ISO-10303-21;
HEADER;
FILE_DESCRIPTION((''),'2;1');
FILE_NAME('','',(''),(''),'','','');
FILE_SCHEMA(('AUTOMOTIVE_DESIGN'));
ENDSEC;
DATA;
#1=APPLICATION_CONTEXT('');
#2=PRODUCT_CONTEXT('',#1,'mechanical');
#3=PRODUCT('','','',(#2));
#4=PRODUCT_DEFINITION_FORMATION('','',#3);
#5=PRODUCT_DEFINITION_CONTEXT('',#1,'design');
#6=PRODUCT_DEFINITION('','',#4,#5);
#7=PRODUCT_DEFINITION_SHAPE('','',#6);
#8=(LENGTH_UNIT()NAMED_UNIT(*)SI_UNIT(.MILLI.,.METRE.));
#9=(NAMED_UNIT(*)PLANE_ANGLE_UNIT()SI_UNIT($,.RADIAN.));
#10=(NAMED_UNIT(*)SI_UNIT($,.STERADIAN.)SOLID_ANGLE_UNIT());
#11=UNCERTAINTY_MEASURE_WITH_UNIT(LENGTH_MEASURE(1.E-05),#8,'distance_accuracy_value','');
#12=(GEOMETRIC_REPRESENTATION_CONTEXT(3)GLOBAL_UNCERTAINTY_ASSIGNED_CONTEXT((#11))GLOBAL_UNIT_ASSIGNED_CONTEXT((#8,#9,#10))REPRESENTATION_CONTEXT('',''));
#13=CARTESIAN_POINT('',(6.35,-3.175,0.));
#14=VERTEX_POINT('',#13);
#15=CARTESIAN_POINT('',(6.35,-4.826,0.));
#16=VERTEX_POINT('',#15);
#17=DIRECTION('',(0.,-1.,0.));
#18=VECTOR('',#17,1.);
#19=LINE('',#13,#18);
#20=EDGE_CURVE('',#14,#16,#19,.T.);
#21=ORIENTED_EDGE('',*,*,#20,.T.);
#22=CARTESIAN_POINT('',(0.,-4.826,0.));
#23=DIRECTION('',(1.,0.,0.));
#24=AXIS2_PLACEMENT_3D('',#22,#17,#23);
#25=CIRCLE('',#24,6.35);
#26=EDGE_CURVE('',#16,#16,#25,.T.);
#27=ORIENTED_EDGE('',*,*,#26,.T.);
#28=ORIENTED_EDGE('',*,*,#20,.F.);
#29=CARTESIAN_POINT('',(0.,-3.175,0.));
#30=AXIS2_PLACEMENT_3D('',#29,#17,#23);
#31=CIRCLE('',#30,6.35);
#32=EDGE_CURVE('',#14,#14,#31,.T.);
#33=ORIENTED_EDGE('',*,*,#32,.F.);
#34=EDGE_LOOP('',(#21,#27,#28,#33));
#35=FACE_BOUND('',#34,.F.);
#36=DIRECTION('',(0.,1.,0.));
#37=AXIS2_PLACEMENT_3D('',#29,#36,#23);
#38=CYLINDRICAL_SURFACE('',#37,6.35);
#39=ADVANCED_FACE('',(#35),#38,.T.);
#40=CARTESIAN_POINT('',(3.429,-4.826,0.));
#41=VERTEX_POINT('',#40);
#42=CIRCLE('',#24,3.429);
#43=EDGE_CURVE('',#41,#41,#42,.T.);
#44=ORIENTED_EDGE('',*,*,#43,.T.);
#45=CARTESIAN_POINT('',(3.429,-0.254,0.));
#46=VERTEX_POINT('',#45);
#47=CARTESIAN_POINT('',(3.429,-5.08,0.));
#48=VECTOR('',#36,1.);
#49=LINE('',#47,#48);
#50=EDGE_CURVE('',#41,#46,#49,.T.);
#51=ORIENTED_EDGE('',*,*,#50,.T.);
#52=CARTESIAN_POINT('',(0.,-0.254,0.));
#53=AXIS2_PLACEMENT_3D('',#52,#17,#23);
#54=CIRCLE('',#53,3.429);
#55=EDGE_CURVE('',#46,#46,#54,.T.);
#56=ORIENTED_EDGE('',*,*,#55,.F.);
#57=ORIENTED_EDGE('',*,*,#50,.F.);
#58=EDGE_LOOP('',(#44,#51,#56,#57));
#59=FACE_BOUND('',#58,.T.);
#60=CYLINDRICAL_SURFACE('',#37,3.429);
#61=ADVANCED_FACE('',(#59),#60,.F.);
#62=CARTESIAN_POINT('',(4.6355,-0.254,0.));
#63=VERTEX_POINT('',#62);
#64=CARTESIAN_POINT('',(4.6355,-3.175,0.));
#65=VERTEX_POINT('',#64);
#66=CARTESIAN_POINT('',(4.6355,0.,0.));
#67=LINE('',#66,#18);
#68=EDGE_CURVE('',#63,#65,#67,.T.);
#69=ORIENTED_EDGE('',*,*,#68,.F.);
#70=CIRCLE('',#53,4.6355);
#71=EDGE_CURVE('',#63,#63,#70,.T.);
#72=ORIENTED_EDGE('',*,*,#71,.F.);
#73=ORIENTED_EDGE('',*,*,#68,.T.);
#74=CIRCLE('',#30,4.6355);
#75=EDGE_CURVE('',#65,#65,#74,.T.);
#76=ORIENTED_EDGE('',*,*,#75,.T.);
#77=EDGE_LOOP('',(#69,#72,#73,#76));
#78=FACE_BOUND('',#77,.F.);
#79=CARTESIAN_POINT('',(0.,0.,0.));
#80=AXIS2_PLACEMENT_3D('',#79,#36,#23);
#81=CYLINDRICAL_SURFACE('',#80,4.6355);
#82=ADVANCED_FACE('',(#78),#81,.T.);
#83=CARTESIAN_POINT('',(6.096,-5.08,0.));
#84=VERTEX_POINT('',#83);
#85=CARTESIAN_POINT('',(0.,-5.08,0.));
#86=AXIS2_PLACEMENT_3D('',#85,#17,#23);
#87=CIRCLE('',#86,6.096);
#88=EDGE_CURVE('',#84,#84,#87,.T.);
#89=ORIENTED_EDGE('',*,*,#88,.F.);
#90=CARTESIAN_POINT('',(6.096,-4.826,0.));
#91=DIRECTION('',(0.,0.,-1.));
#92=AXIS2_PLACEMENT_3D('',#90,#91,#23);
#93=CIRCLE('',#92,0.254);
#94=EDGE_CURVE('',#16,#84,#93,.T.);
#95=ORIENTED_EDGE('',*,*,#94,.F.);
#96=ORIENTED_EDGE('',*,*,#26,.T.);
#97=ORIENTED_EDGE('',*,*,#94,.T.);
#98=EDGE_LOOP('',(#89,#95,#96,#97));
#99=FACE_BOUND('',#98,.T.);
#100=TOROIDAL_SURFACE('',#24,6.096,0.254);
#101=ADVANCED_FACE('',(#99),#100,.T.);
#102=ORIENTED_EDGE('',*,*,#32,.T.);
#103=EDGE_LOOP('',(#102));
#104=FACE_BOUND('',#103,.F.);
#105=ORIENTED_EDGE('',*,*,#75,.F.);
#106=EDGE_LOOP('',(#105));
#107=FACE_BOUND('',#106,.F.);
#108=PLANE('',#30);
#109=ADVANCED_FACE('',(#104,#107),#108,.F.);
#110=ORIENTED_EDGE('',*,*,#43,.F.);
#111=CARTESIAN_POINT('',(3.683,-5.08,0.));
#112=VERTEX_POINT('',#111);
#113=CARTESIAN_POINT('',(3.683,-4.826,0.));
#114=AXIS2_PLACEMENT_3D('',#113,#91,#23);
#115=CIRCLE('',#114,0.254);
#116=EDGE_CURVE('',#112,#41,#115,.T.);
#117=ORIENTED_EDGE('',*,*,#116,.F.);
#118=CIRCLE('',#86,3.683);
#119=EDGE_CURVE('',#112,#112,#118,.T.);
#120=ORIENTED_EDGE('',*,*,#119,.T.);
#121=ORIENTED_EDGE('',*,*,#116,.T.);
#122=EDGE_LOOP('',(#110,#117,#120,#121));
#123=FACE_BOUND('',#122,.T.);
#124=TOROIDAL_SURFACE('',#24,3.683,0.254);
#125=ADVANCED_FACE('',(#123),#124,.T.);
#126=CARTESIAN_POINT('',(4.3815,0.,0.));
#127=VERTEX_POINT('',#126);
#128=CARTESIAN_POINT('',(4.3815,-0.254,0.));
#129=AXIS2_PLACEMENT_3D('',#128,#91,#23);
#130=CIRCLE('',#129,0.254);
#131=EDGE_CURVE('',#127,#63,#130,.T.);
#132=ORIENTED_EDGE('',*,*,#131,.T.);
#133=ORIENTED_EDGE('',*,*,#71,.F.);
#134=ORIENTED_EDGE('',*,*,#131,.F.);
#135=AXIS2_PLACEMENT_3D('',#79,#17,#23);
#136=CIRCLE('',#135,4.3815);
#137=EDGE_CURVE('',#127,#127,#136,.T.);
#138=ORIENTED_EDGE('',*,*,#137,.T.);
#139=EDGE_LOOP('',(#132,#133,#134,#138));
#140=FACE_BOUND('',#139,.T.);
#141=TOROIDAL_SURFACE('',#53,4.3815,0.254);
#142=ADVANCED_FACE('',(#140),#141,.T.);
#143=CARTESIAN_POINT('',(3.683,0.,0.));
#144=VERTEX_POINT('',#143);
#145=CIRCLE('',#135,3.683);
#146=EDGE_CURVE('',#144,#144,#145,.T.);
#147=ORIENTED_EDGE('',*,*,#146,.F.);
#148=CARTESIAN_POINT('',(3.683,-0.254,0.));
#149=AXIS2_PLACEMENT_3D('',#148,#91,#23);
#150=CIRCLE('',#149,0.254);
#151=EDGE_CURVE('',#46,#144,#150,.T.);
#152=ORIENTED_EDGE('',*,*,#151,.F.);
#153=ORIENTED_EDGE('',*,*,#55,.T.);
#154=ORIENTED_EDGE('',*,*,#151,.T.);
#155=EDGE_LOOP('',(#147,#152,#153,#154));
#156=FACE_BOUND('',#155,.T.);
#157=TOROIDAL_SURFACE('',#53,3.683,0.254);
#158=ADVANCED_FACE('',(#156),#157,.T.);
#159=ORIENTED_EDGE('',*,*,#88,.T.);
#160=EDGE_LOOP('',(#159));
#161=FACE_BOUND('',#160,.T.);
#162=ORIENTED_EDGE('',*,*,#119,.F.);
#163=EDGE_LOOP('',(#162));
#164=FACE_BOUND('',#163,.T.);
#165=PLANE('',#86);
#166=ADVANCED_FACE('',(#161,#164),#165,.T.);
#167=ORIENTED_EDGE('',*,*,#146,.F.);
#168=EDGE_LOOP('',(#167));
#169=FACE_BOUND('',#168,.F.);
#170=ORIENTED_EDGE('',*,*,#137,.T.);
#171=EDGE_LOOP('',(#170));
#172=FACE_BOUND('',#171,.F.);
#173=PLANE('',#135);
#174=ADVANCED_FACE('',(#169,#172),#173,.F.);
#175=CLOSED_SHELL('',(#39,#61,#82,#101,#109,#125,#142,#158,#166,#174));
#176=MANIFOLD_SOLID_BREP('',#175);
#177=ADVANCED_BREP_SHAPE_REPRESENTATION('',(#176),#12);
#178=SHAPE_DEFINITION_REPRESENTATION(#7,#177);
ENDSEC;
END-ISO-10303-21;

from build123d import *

# Parameters (mm, degrees)
F0_R     = 4.6355
F0_R_2   = 3.429
F1_DEPTH = 3.175
F2_R     = 6.35
F2_R_2   = 4.6355
F2_R_3   = 3.429
F3_DEPTH = 1.905
F4_R     = 0.254


with BuildPart() as f1:
    # F0 (on Front) → F1 (new body)
    with BuildSketch(Plane.XZ):
        Circle(F0_R)
        Circle(F0_R_2, mode=Mode.SUBTRACT)
    extrude(amount=F1_DEPTH)

    # F2 (on face) → F3 (join)
    with BuildSketch(Plane.XZ.offset(3.175)):
        Circle(F2_R)
        Circle(F2_R_2, mode=Mode.SUBTRACT)
        Circle(F2_R_2)
        Circle(F2_R_3, mode=Mode.SUBTRACT)
    extrude(amount=F3_DEPTH)

    # F4
    f4_edges = [f1.edges().sort_by_distance(p)[0] for p in [
        (-6.35, -5.08, 0),
        (-3.429, -5.08, 0),
        (-4.6355, 0, 0),
        (-3.429, 0, 0),
    ]]
    fillet(f4_edges, radius=F4_R)


solid = f1.part
